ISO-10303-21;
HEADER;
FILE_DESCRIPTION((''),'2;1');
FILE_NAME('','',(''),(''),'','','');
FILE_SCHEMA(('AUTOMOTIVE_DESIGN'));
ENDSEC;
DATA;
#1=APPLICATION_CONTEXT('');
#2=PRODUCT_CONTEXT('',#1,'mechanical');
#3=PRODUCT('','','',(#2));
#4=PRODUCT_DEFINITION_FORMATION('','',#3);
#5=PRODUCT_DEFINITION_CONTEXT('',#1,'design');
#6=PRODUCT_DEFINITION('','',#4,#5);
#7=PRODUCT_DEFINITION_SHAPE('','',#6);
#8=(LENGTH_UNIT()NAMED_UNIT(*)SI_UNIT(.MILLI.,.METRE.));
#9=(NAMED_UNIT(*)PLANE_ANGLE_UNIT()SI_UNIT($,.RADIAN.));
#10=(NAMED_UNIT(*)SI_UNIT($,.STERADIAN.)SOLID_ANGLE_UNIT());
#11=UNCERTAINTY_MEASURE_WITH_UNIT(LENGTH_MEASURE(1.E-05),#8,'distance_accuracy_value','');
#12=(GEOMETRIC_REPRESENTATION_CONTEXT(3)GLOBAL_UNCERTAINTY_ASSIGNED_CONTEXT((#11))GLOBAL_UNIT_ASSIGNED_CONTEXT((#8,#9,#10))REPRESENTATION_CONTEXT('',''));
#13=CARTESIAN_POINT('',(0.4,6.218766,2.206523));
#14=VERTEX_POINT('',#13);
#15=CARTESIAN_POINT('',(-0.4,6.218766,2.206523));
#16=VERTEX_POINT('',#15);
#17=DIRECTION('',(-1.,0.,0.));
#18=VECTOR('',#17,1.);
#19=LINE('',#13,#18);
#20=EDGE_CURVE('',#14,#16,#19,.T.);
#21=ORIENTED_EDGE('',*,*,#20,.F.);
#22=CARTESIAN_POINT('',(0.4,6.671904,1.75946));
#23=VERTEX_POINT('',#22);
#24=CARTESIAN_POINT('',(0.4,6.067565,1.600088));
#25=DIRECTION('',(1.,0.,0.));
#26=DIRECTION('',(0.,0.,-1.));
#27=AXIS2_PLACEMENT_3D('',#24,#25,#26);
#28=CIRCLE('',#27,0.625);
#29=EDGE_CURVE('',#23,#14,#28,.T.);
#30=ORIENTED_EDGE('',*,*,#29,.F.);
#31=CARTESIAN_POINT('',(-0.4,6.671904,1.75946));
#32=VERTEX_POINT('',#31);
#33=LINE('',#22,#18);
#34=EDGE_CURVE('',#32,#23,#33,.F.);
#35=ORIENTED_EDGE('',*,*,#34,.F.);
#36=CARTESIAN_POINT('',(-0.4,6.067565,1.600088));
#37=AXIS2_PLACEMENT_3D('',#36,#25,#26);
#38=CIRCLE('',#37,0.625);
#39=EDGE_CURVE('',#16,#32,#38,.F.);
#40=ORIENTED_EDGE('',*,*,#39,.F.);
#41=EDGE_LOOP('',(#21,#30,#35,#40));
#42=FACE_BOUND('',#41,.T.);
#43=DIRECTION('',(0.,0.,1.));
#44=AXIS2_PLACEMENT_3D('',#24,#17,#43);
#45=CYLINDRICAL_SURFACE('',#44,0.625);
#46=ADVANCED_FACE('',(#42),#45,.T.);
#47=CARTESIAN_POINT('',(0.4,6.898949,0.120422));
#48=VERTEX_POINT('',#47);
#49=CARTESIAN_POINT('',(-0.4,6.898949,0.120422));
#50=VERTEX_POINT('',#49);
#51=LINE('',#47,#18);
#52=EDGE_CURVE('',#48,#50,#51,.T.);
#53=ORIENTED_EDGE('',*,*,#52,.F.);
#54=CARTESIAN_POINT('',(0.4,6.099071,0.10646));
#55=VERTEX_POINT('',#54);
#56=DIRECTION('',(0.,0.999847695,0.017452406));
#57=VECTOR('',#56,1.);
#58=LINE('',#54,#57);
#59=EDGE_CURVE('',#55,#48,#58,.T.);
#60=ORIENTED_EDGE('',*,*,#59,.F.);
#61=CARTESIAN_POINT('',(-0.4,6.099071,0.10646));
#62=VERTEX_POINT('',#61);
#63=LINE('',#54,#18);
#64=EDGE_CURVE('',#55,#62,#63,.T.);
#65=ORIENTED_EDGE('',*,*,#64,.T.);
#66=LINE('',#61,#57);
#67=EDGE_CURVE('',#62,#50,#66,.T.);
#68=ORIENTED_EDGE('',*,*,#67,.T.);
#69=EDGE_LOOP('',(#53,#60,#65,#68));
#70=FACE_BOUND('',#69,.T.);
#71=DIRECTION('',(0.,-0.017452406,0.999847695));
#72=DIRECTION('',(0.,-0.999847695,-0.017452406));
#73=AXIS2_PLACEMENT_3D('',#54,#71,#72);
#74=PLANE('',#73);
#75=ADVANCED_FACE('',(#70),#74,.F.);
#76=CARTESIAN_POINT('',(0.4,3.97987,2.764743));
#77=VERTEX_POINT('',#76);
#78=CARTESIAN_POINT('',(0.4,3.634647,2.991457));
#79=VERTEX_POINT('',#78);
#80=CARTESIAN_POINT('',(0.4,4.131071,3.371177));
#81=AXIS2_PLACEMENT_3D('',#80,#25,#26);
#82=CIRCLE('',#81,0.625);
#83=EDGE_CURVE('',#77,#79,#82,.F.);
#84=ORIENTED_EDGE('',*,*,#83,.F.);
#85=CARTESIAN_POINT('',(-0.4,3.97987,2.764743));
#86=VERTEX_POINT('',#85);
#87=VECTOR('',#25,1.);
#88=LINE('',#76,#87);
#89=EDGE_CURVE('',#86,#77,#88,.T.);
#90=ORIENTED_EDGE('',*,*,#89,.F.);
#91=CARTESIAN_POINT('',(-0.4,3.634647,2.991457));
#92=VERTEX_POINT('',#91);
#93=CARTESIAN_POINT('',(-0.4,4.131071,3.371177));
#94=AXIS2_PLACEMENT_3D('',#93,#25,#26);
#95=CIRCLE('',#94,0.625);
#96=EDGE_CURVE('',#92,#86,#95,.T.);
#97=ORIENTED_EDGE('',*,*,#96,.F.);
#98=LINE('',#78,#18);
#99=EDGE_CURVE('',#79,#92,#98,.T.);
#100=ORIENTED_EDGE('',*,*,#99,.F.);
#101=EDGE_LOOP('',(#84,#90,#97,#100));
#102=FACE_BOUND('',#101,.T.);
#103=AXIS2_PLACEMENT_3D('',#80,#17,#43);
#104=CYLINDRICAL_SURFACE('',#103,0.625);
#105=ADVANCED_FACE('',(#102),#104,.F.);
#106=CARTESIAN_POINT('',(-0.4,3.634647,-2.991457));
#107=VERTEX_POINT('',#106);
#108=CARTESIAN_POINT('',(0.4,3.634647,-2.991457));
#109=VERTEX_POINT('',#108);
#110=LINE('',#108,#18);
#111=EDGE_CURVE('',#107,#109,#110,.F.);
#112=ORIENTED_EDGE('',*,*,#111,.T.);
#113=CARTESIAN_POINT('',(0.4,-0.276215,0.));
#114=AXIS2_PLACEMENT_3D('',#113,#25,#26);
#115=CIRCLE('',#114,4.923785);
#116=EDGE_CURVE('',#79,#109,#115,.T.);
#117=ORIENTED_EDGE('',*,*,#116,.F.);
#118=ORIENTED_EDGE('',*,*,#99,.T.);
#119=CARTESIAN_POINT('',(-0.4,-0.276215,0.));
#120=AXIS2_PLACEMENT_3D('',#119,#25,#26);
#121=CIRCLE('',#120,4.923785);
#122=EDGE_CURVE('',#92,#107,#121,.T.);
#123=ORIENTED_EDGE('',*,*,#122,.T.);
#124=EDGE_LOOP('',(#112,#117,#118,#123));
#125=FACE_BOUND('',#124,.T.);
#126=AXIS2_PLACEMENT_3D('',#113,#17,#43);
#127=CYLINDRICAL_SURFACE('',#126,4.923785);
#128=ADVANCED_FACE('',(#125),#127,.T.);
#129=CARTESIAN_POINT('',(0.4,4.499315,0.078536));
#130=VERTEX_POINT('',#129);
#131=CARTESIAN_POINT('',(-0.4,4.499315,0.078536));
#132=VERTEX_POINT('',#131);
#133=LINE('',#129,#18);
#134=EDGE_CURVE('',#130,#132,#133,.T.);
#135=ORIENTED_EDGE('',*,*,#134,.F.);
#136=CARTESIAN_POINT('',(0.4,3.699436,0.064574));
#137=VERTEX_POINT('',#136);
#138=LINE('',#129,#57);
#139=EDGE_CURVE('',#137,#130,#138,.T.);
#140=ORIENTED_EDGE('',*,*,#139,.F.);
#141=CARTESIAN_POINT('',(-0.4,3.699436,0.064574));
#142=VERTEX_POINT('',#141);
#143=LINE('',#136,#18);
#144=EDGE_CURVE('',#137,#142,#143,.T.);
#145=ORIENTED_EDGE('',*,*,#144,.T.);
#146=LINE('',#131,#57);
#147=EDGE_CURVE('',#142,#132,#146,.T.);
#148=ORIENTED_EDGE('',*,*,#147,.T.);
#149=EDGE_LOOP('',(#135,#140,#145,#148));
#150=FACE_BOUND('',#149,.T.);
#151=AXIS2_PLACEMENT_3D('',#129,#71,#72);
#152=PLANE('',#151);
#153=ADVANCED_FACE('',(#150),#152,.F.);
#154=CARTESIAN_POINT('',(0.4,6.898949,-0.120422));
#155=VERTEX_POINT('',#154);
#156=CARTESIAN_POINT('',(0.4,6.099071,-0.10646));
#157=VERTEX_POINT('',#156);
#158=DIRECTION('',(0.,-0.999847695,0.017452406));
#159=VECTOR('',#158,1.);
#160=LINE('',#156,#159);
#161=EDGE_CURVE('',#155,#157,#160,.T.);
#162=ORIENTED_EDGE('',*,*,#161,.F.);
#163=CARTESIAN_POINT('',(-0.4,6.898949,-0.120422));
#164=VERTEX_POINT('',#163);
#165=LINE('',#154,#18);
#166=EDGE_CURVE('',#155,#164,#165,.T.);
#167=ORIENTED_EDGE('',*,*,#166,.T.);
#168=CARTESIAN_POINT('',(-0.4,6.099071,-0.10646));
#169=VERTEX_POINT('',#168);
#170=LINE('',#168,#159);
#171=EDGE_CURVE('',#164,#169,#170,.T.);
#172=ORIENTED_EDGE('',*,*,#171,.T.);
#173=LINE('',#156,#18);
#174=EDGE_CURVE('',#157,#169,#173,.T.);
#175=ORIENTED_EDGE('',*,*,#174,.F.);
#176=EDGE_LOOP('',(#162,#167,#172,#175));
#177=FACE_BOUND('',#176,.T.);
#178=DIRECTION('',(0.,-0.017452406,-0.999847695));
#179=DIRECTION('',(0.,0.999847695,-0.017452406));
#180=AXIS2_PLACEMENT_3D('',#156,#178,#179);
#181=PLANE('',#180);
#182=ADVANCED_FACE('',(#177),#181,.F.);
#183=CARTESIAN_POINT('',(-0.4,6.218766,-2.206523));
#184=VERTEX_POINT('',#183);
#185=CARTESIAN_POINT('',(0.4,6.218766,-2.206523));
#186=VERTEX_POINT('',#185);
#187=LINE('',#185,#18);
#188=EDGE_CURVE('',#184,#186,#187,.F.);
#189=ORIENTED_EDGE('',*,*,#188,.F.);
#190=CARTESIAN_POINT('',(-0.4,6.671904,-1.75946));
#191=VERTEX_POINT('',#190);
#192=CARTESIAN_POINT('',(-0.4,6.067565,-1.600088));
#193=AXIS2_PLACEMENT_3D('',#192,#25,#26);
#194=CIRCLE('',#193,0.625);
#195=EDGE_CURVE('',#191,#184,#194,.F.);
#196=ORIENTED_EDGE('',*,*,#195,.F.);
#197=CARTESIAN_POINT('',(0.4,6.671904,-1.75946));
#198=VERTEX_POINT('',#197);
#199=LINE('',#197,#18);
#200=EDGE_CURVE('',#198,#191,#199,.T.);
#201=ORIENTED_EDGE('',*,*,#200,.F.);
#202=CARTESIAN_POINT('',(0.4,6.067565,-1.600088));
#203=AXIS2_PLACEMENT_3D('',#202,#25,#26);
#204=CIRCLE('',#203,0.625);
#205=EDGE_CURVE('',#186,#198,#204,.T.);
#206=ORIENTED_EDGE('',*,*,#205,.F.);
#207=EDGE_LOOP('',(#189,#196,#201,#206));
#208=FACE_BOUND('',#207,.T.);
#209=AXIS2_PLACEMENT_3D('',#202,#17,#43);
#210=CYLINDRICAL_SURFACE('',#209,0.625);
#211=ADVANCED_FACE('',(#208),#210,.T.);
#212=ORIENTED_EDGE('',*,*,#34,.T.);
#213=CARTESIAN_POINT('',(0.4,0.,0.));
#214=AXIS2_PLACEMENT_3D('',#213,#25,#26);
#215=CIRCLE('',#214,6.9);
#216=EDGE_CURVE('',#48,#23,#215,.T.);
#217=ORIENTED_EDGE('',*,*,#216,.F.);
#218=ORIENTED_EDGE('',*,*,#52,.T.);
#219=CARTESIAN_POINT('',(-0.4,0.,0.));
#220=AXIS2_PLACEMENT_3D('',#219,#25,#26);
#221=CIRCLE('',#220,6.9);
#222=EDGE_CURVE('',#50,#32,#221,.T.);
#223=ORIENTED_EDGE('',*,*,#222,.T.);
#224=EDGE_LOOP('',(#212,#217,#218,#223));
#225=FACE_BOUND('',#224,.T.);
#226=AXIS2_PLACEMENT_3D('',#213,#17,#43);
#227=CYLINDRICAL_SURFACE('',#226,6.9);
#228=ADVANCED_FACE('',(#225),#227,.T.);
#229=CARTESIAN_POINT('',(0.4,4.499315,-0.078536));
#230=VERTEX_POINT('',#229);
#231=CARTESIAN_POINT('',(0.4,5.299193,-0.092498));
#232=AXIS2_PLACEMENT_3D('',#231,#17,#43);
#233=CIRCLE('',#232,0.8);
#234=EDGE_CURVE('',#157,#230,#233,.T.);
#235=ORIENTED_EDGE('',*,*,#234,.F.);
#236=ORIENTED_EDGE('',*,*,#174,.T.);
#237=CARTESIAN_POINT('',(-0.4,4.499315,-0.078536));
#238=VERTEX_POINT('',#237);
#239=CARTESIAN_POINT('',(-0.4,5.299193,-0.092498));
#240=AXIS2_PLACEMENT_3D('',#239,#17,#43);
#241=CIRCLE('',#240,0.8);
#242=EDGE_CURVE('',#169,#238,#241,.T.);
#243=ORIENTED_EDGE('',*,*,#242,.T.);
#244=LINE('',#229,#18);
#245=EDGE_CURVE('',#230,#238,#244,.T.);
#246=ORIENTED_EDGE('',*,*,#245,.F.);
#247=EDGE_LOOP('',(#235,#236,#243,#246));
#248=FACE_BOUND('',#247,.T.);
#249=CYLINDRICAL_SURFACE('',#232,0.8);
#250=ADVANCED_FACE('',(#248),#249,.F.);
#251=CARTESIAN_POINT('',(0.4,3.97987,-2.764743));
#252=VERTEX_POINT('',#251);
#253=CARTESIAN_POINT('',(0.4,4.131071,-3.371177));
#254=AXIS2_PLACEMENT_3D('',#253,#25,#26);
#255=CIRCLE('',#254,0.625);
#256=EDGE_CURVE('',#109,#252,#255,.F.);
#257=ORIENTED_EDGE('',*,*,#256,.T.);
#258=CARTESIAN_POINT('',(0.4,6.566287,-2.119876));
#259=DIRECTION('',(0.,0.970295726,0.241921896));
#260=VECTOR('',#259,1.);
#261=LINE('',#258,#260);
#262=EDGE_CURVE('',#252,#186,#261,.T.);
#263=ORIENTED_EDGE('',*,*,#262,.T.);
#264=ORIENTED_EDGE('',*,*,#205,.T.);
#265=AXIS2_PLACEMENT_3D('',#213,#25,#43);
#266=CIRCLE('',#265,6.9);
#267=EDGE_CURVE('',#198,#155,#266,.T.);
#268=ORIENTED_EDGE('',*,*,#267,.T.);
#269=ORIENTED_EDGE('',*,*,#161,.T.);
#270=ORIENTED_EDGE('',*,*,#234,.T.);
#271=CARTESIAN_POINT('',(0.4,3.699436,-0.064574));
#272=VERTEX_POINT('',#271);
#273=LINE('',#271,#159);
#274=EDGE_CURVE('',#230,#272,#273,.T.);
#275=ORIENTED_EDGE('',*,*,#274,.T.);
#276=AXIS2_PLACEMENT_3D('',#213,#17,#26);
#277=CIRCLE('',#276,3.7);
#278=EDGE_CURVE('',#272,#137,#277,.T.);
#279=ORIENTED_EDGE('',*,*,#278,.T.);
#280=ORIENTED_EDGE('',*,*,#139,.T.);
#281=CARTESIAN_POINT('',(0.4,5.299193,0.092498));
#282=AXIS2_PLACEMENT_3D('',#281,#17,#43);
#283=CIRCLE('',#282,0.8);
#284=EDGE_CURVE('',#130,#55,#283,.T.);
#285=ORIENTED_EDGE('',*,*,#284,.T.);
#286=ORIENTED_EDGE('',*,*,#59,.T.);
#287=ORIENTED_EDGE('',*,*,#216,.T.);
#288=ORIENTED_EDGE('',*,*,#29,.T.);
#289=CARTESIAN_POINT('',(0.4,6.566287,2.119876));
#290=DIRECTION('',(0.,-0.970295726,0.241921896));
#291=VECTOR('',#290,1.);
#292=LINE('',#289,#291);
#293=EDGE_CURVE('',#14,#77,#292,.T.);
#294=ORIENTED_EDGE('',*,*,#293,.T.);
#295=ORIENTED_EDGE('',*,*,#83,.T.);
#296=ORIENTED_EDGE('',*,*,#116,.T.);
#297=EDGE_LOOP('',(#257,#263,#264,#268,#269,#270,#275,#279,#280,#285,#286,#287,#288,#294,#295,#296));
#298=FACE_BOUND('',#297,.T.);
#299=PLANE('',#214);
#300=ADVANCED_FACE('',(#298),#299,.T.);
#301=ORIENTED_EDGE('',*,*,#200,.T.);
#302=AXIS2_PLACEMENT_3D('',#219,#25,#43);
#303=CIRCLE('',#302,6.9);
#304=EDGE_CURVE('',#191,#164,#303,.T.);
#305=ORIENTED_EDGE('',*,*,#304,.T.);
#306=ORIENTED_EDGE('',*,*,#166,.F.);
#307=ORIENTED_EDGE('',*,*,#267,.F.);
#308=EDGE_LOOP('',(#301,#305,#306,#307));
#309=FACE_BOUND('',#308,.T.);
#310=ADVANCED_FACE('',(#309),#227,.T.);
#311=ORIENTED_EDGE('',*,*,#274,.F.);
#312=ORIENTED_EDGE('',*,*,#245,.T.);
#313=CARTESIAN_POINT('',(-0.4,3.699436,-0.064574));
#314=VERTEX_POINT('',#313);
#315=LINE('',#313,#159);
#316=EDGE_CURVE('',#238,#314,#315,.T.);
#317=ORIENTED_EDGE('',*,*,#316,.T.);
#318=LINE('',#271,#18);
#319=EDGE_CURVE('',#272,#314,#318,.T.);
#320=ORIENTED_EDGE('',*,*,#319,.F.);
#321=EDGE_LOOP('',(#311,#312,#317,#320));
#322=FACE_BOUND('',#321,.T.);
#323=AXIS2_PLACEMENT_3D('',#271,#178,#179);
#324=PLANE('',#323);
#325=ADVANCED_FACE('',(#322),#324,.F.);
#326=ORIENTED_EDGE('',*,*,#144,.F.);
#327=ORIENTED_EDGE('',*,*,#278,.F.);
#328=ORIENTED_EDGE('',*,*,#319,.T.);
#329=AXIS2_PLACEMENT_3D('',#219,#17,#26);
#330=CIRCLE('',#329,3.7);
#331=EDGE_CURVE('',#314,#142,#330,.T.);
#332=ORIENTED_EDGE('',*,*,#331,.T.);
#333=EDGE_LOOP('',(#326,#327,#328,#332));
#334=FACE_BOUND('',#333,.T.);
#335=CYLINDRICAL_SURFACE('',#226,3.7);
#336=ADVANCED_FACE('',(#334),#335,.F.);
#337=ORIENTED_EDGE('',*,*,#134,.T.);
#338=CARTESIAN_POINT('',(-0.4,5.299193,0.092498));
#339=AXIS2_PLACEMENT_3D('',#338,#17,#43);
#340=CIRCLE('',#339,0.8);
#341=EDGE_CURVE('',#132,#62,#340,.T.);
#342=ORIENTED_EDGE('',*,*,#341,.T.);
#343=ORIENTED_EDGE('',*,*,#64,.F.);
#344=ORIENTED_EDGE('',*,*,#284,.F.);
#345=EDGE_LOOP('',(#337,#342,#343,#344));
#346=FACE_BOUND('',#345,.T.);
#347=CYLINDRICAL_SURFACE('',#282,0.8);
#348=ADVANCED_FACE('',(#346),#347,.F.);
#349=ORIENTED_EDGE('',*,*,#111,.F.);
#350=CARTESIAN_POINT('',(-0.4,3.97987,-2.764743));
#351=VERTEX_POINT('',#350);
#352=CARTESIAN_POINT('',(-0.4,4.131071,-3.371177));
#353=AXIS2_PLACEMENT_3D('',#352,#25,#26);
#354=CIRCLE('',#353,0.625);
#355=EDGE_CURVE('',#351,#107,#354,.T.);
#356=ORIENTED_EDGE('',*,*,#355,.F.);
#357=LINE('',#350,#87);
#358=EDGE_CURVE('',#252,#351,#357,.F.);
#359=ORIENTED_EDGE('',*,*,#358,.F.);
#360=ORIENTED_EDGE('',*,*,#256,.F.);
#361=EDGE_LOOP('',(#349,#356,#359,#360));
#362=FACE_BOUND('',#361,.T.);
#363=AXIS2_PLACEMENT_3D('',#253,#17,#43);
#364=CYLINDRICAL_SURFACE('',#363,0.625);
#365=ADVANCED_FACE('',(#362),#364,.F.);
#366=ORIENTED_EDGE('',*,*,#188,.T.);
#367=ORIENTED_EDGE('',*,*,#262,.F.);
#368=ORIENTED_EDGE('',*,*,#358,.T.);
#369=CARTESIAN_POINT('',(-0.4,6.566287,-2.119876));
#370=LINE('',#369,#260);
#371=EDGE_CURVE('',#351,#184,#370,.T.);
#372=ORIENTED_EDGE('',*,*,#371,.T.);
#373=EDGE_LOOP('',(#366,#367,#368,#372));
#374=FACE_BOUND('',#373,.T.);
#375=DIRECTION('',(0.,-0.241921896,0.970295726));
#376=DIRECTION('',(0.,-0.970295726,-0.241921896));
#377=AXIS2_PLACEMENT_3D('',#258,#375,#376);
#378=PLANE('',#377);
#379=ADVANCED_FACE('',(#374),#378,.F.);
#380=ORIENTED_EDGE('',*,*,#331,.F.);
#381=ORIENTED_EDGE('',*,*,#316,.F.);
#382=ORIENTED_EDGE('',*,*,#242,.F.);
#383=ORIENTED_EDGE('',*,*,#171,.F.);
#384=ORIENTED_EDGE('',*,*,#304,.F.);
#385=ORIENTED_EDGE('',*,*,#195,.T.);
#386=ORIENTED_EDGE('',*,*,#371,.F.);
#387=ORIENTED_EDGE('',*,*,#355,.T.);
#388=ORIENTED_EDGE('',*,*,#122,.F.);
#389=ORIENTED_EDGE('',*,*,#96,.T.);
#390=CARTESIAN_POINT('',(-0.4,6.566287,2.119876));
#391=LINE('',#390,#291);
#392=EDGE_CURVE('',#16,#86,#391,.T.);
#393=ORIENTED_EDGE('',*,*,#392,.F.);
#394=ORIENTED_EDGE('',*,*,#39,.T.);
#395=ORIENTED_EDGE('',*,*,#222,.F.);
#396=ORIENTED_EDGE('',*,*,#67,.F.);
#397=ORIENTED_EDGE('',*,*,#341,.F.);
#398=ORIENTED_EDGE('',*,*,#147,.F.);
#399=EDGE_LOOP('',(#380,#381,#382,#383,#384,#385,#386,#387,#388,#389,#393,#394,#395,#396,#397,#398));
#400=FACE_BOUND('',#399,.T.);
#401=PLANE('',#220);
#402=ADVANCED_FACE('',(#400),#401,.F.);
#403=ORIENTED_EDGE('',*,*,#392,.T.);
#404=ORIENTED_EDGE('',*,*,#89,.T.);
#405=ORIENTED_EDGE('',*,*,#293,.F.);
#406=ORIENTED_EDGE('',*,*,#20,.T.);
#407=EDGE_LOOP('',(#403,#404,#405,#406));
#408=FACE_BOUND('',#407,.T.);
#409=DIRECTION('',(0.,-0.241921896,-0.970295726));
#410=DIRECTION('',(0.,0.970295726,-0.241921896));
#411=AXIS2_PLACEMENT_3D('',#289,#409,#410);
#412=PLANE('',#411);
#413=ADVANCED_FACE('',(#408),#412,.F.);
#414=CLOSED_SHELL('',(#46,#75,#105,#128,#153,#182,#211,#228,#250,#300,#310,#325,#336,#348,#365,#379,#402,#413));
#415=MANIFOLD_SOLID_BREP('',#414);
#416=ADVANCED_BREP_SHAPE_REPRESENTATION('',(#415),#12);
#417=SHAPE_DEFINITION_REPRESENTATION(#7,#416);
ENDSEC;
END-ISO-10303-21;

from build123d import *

# Parameters (mm, degrees)
EXTRUDE1_DEPTH = 0.4
FILLET1_R      = 0.625


with BuildPart() as part:
    # Sketch1 → Extrude1 (new, symmetric)
    with BuildSketch(Plane(origin=(0, 0, 0), x_dir=(0, 0, -1), z_dir=(1, 0, 0))):
        with BuildLine():
            Line((0.064573904, 3.699436472), (0.078535829, 4.499314628))
            ThreePointArc((0.078535829, 4.499314628), (0.89237591, 5.285230859), (0.106459679, 6.09907094))
            Line((0.106459679, 6.09907094), (0.120421604, 6.898949097))
            ThreePointArc((0.120421604, 6.898949097), (1.132430932, 6.806438142), (2.119876399, 6.56628693))
            Line((2.119876399, 6.56628693), (2.819461663, 3.760403693))
            ThreePointArc((2.819461663, 3.760403693), (0, -5.2), (-2.819461663, 3.760403693))
            Line((-2.819461663, 3.760403693), (-2.119876399, 6.56628693))
            ThreePointArc((-2.119876399, 6.56628693), (-1.132430932, 6.806438142), (-0.120421604, 6.898949097))
            Line((-0.120421604, 6.898949097), (-0.106459679, 6.09907094))
            ThreePointArc((-0.106459679, 6.09907094), (-0.89237591, 5.285230859), (-0.078535829, 4.499314628))
            Line((-0.078535829, 4.499314628), (-0.064573904, 3.699436472))
            ThreePointArc((-0.064573904, 3.699436472), (0, -3.7), (0.064573904, 3.699436472))
        make_face()
    extrude(amount=EXTRUDE1_DEPTH, both=True)

    # Fillet1
    fillet1_edges = [part.edges().sort_by_distance(p)[0] for p in [
        (0, 6.56628693, -2.119876399),
        (0, 3.760403693, -2.819461663),
        (0, 3.760403693, 2.819461663),
        (0, 6.56628693, 2.119876399),
    ]]
    fillet(fillet1_edges, radius=FILLET1_R)


solid = part.part
